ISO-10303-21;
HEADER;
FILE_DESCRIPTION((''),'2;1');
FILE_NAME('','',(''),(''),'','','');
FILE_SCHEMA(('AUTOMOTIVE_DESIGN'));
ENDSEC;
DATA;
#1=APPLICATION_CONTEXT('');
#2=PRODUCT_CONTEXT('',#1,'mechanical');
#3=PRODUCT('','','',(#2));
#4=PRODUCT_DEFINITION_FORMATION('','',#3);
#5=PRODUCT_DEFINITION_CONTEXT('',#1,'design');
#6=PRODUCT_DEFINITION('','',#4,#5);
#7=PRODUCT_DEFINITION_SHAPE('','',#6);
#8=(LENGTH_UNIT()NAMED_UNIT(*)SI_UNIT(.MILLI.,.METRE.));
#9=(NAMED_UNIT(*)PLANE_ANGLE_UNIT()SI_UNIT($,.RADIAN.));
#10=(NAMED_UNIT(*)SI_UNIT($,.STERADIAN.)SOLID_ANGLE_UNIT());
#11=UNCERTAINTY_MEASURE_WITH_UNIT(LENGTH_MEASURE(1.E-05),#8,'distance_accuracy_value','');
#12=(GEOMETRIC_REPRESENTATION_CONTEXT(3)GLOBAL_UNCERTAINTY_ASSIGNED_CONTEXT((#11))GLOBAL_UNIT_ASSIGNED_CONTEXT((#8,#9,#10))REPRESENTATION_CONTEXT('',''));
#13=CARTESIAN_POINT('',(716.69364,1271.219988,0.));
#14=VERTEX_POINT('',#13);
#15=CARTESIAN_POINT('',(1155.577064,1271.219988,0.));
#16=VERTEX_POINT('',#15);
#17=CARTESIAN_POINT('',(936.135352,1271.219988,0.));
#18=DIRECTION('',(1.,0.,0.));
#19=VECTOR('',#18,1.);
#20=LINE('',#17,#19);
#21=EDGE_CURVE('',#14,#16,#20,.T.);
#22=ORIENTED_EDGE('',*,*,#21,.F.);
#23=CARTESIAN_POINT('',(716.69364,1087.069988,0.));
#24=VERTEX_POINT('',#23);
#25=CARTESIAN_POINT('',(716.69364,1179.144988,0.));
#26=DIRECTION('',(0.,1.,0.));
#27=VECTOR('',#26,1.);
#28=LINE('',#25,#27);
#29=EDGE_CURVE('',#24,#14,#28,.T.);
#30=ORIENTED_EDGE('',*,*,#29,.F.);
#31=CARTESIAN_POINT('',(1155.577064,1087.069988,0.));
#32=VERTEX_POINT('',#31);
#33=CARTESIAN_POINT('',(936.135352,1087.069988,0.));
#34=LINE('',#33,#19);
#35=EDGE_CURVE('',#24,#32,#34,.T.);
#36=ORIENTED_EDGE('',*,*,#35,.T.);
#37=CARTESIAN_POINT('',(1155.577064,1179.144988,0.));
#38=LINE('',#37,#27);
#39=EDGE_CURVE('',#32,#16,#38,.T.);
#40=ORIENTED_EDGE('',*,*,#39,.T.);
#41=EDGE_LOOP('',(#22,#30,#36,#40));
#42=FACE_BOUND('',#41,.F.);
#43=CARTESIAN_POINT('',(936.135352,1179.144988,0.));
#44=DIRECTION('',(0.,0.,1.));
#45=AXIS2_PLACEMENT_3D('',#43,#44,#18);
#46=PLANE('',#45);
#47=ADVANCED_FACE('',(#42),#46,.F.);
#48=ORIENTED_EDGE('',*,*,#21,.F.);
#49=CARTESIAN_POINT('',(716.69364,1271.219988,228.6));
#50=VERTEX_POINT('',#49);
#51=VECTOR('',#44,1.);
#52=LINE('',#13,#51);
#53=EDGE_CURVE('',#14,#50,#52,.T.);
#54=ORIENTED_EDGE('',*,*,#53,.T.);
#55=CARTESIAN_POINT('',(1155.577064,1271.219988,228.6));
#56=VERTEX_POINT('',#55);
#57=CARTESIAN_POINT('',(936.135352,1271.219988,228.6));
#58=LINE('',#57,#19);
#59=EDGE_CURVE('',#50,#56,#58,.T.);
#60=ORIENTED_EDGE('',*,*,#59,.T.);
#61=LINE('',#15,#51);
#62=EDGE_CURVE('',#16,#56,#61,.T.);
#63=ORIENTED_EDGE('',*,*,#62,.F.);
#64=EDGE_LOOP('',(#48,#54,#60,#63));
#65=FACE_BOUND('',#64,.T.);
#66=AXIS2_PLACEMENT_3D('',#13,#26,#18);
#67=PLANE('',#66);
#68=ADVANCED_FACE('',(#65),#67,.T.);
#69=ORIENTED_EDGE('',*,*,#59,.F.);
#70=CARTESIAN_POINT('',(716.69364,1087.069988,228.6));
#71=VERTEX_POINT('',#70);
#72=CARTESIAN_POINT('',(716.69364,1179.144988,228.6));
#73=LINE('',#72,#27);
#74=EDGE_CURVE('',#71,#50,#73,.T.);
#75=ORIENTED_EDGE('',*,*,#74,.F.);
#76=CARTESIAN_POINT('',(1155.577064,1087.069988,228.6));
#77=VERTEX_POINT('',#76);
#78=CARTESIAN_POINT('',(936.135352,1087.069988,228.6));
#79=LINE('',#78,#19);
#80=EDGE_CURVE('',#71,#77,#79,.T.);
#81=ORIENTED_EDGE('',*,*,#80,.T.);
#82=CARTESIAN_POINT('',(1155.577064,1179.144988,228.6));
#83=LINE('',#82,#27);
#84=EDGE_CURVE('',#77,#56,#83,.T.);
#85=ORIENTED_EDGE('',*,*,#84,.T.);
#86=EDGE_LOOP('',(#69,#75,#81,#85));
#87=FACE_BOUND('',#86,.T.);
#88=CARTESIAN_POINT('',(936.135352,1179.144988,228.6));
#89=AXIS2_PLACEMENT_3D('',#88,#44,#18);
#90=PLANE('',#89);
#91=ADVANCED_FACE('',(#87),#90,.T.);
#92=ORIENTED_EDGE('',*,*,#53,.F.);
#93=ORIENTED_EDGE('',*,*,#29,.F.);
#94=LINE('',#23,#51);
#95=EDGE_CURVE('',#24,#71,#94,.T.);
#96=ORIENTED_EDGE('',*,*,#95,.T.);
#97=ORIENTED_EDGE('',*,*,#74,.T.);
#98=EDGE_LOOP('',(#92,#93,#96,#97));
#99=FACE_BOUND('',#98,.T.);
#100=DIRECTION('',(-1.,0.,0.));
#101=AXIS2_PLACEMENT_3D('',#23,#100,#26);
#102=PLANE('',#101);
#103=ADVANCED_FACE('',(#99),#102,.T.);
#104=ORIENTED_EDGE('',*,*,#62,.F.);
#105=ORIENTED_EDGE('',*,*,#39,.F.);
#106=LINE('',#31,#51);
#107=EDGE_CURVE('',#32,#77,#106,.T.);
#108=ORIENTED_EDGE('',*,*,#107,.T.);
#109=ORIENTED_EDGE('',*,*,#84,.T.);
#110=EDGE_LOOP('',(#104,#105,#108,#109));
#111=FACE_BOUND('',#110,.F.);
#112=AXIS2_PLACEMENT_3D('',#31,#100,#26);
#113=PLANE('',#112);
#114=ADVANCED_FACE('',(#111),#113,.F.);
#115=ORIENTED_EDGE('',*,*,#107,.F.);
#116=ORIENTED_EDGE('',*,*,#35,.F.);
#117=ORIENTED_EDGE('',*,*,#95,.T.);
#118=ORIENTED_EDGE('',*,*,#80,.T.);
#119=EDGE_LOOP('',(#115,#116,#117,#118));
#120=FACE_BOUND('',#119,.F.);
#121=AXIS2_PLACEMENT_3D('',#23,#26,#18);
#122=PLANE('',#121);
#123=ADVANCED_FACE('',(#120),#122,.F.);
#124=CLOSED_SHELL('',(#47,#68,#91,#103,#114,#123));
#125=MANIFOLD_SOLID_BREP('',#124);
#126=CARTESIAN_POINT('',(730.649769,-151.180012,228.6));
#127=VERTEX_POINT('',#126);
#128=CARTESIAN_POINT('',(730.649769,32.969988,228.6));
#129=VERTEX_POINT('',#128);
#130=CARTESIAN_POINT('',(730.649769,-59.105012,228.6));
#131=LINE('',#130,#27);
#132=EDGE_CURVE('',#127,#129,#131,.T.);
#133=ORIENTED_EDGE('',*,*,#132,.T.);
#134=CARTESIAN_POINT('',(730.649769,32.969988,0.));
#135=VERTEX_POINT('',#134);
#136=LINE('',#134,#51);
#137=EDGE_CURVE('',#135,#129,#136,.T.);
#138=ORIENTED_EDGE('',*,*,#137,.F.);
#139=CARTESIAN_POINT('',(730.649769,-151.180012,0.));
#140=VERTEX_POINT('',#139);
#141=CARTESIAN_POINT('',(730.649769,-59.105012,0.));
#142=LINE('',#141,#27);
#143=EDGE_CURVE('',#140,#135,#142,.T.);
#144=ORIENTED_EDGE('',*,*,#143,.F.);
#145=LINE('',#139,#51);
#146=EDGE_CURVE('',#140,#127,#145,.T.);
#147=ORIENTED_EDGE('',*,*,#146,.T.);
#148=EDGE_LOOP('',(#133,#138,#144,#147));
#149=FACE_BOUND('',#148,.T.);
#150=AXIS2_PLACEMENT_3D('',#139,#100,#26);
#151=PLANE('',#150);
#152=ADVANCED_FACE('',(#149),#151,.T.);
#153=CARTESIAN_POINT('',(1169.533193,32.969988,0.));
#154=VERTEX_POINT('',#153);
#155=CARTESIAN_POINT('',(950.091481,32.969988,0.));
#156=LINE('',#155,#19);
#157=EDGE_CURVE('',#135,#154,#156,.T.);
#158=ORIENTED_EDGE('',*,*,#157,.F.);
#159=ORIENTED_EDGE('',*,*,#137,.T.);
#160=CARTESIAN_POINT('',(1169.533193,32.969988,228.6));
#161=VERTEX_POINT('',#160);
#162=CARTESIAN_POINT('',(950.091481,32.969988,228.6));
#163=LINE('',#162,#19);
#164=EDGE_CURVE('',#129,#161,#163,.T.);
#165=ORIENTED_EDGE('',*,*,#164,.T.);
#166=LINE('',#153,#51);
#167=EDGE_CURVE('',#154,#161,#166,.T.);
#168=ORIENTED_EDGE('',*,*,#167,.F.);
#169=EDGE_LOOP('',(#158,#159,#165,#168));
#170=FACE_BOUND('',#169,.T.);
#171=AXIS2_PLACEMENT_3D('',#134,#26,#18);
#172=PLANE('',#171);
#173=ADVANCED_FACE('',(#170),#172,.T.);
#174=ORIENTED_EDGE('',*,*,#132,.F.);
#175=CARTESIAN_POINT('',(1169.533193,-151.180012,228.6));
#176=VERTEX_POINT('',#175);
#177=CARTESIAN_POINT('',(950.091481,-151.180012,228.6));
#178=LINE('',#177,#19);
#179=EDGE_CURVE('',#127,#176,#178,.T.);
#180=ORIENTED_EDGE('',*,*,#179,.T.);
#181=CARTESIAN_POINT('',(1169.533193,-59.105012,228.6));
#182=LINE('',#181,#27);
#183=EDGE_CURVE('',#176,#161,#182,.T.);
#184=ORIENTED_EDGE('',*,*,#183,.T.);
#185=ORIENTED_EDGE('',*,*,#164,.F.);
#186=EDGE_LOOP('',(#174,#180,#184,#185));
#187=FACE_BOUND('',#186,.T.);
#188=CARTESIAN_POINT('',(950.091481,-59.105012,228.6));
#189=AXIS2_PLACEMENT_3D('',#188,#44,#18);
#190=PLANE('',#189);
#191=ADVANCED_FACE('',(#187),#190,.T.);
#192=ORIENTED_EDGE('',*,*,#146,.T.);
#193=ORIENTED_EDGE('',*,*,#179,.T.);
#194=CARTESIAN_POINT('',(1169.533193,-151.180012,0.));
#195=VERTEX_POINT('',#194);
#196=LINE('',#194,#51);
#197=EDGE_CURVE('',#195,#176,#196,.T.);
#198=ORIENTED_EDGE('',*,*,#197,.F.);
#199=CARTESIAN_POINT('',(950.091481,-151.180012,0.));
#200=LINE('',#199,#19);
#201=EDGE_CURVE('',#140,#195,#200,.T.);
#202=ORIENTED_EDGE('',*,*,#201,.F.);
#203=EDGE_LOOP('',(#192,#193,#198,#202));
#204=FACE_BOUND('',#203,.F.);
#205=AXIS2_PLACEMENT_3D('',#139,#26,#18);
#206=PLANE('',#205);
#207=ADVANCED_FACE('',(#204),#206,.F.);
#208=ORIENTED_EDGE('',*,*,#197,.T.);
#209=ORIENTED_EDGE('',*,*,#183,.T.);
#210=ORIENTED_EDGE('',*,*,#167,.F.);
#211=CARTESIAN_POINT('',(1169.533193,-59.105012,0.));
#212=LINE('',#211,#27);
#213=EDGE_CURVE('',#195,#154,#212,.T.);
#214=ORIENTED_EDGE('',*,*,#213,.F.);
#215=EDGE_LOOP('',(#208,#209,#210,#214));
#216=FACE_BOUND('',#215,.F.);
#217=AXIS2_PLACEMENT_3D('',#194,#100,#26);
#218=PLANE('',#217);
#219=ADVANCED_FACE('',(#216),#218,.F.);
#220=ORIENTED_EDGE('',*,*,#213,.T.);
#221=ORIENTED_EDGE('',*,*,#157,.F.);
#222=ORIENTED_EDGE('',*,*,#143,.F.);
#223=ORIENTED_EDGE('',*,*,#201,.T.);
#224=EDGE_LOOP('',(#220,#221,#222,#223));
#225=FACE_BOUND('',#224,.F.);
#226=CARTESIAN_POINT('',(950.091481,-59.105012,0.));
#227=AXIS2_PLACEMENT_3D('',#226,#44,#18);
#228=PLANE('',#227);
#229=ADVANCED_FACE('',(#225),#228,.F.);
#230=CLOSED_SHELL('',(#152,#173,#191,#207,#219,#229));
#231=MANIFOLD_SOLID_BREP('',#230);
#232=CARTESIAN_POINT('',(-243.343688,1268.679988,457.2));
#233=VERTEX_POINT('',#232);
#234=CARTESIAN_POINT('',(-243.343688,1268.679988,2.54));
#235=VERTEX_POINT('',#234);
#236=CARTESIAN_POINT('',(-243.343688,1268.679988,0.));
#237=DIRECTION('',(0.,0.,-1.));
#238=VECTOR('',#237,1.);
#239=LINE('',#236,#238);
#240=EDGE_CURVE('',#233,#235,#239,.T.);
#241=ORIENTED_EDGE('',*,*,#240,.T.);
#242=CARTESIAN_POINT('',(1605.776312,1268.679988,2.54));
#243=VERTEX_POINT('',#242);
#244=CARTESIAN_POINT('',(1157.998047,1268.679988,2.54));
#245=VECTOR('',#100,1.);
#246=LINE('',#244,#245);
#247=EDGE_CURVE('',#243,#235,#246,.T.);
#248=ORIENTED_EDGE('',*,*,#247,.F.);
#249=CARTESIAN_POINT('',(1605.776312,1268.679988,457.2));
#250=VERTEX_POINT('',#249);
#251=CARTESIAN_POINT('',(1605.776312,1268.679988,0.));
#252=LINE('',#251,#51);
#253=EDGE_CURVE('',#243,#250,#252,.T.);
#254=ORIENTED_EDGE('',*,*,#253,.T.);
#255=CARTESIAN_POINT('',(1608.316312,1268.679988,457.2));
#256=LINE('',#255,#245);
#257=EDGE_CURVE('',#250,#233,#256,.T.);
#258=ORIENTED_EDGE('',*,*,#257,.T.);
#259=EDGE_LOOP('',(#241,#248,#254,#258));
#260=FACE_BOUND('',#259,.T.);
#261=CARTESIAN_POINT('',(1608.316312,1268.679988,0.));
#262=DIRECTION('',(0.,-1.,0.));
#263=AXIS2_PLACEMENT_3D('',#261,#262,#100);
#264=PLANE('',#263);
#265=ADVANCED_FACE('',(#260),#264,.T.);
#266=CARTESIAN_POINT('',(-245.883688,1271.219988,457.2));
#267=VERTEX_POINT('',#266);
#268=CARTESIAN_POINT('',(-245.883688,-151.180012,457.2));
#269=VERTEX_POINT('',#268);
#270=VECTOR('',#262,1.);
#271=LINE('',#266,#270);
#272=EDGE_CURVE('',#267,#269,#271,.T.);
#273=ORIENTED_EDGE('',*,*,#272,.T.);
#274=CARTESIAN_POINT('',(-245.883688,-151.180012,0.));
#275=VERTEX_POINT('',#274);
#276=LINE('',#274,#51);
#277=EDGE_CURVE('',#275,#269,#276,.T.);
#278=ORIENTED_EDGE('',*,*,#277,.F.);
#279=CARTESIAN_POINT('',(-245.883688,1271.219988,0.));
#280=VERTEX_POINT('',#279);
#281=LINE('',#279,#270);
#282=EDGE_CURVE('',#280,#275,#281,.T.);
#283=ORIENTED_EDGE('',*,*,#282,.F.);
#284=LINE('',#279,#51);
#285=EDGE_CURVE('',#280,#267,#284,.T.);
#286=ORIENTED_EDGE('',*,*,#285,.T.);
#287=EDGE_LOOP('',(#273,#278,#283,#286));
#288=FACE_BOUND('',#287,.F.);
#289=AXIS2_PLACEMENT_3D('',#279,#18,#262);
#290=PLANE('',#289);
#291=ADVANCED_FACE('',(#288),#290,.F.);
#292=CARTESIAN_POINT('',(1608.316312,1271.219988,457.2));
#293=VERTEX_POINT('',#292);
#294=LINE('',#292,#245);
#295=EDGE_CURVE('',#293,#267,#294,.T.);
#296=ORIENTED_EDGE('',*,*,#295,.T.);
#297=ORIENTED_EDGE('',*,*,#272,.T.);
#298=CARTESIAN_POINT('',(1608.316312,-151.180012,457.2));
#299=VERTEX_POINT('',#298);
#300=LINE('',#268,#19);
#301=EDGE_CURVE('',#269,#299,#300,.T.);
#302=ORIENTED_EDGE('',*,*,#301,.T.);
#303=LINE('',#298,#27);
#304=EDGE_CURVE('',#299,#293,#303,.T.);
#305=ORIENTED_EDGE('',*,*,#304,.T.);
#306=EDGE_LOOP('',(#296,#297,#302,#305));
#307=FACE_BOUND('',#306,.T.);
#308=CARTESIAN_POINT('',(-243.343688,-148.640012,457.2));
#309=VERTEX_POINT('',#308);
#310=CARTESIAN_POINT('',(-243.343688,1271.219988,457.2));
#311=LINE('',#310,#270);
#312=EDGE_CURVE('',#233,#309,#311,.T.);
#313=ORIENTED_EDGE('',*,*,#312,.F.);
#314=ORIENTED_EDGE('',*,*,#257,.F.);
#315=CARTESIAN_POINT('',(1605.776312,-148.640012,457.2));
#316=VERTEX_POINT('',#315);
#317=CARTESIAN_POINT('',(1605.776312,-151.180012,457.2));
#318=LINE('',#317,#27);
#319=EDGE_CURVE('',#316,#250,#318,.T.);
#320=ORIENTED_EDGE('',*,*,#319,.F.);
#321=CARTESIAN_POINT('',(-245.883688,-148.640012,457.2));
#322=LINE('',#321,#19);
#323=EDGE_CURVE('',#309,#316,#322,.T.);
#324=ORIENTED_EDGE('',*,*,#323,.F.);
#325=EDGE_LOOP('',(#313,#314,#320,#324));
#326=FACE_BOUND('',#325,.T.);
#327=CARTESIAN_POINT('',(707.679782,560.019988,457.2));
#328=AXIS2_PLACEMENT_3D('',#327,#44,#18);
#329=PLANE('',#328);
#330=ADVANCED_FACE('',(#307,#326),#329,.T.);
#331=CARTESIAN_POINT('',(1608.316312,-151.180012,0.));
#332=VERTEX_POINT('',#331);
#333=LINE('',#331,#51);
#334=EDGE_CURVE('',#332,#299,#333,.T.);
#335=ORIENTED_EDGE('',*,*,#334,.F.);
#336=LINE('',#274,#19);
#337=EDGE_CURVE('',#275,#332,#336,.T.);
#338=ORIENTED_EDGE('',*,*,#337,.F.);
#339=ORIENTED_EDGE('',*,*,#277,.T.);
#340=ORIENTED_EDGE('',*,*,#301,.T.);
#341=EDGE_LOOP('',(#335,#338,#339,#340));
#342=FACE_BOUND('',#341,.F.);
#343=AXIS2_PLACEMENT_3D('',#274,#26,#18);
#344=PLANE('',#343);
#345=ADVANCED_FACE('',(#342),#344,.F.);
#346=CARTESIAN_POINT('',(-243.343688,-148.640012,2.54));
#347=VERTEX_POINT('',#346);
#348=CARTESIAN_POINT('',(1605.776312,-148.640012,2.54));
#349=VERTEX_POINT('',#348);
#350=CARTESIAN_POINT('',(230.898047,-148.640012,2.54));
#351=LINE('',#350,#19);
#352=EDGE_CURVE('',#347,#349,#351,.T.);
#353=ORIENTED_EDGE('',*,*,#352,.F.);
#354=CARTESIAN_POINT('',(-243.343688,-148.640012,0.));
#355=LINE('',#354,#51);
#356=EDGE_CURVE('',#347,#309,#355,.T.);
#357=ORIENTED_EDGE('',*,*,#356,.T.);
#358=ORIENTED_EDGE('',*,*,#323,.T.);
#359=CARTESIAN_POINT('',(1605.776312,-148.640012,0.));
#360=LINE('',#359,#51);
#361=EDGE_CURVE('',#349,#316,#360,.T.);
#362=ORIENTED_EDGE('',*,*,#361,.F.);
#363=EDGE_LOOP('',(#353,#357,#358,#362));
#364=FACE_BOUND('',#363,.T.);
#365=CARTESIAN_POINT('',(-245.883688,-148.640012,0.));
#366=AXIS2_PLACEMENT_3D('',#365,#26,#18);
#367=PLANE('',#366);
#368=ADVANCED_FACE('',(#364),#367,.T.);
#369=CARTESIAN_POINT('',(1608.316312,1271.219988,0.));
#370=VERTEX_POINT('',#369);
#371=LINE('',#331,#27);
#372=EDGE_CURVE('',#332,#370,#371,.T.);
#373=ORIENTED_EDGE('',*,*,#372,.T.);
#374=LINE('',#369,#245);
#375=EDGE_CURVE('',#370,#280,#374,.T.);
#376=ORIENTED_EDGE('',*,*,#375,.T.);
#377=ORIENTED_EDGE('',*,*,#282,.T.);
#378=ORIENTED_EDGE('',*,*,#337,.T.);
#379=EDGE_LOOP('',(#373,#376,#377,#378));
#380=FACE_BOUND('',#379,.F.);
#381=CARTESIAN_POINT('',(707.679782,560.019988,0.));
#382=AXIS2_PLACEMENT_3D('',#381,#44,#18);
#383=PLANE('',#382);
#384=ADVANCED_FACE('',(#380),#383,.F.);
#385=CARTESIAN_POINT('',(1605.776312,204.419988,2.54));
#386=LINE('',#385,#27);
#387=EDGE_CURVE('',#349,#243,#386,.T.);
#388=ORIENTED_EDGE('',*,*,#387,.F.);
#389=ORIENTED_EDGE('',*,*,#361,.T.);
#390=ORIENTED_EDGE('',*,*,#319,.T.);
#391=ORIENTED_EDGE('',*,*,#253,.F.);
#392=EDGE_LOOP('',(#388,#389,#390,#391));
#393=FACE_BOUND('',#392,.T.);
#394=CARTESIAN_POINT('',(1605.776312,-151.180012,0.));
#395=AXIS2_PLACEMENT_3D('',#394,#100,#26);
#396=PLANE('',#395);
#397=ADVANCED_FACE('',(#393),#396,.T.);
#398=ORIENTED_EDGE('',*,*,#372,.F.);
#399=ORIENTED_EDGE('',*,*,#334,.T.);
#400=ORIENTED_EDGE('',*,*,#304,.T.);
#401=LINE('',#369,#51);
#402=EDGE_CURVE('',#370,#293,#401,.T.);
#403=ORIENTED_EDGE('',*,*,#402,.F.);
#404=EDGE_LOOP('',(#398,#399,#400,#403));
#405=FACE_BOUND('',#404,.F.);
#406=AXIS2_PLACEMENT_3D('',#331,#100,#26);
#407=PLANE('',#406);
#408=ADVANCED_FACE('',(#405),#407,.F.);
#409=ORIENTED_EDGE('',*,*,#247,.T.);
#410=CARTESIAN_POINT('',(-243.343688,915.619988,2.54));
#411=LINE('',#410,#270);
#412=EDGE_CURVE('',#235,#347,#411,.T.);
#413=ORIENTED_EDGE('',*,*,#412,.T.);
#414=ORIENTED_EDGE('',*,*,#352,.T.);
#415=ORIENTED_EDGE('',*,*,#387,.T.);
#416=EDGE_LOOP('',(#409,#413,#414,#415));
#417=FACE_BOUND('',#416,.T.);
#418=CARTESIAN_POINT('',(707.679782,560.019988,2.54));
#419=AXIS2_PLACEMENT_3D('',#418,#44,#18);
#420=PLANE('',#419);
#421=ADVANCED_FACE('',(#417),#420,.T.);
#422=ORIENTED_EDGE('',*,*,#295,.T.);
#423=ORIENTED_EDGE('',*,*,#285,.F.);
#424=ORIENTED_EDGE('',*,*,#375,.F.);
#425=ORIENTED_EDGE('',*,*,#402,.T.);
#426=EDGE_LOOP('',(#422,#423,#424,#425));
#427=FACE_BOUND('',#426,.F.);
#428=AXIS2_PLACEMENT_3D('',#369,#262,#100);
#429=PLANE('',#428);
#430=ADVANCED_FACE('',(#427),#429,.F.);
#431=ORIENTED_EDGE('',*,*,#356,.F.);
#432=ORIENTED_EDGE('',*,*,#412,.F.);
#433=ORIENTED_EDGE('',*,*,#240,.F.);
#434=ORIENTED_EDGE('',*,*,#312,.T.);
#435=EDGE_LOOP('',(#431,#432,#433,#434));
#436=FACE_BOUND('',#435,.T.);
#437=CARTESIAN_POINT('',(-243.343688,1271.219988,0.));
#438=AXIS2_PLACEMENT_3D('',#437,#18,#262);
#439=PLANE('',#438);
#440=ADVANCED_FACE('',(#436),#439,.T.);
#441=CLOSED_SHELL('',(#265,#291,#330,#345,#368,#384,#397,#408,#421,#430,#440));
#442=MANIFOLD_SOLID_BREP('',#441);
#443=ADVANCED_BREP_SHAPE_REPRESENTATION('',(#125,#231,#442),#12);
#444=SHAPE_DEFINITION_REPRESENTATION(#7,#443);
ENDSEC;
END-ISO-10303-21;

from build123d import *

# Parameters (mm, degrees)
F0_W     = 438.883424
F0_H     = 184.15
F1_DEPTH = 228.6
F2_DEPTH = 457.2
F3_T     = -2.54


with BuildPart() as f1:
    # F0 (on Top) → F1 (new body)
    with BuildSketch(Plane.XY):
        with Locations((950.091481, -59.105012)):
            Rectangle(F0_W, F0_H)
        with Locations((936.135352, 1179.144988)):
            Rectangle(F0_W, F0_H)
    extrude(amount=F1_DEPTH)


with BuildPart() as f2:
    # F0 (on Top) → F2 (new body)
    with BuildSketch(Plane.XY):
        Polygon((716.69364, 1271.219988), (-245.883688, 1271.219988), (-245.883688, -151.180012), (730.649769, -151.180012), (730.649769, 32.969988), (1169.533193, 32.969988), (1169.533193, -151.180012), (1608.316312, -151.180012), (1608.316312, 1271.219988), (1155.577064, 1271.219988), (1155.577064, 1087.069988), (716.69364, 1087.069988), align=None)
        with Locations((936.135352, 1179.144988)):
            Rectangle(F0_W, F0_H)
        with Locations((950.091481, -59.105012)):
            Rectangle(F0_W, F0_H)
    extrude(amount=F2_DEPTH)

    # F3
    f3_openings = [f2.faces().sort_by_distance(p)[0] for p in [
        (681.216312, 560.019988, 457.2),
    ]]
    offset(amount=F3_T, openings=f3_openings)


solid = Compound([f1.part, f2.part])
